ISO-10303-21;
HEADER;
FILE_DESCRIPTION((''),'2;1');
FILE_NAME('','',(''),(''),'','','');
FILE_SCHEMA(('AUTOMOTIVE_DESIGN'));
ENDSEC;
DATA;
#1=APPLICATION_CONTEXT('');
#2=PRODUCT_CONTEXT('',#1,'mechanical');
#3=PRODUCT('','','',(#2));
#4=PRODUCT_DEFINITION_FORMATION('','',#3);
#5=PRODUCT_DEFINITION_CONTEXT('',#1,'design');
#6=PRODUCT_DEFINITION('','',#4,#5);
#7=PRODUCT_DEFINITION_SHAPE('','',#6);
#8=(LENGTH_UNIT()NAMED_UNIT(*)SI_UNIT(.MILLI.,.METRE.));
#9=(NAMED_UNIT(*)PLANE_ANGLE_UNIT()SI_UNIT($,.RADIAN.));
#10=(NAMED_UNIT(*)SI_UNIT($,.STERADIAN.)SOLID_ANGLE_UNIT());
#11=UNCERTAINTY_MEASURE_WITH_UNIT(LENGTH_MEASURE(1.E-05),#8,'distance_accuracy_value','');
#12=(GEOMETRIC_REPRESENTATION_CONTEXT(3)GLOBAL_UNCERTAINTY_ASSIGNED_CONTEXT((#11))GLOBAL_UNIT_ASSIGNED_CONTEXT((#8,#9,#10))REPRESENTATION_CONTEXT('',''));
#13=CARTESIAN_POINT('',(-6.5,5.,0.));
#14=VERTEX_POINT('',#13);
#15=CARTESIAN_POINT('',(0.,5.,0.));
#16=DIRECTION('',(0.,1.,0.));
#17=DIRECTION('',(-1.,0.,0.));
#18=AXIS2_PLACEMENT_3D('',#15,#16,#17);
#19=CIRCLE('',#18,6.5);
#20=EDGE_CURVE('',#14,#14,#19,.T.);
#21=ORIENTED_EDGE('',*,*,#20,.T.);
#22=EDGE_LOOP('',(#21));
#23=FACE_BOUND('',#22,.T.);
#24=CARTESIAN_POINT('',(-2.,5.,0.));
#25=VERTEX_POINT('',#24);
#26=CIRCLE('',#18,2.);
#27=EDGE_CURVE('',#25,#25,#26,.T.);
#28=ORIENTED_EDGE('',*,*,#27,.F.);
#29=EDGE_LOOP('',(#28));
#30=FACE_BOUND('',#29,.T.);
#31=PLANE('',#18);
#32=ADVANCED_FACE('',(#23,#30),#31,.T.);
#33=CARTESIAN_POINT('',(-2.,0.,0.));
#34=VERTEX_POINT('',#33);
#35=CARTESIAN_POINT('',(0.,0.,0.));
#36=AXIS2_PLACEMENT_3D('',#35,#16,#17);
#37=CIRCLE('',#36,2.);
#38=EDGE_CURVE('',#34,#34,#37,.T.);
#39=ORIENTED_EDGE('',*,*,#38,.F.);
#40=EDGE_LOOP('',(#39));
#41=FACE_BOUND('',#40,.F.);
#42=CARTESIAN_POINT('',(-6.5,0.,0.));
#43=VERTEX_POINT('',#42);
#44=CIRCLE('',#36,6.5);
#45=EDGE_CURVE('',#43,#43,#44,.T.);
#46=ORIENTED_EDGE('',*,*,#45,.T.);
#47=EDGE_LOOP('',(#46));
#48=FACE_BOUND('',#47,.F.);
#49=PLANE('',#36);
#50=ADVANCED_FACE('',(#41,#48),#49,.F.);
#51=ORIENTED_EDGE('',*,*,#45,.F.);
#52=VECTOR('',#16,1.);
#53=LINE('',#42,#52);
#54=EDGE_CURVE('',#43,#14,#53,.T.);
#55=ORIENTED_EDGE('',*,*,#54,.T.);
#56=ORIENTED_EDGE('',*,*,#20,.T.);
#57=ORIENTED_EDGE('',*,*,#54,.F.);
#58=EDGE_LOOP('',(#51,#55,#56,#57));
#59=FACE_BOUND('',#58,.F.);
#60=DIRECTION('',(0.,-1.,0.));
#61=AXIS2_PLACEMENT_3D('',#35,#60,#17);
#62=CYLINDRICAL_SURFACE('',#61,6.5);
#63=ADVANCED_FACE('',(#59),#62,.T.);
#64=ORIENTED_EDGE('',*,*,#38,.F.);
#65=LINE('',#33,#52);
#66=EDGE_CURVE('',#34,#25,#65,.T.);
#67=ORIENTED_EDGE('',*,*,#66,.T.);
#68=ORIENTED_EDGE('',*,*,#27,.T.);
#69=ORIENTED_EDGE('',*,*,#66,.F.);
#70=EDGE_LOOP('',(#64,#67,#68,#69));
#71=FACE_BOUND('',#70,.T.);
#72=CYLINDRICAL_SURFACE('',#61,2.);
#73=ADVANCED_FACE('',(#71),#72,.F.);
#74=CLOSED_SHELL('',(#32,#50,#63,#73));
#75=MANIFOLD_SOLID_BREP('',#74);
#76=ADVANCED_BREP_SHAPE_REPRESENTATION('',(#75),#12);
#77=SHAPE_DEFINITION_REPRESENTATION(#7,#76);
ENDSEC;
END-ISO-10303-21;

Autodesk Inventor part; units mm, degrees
ref_plane "YZ Plane" through (0, 0, 0) normal (1, 0, 0) x (0, 1, 0)
ref_plane "XZ Plane" through (0, 0, 0) normal (0, 1, 0) x (-1, 0, 0)
ref_plane "XY Plane" through (0, 0, 0) normal (0, 0, 1) x (1, 0, 0)
sketch "Sketch1" plane through (0, 0, 0) normal (0, 1, 0) x (-1, 0, 0)
  circle A0 centre (0, 0) radius 6.5
  circle A1 centre (0, 0) radius 2
  dimension "bb_outer_diameter" = 13
  dimension "bb_inner_diameter" = 4
extrude "Extrusion1" add sketch "Sketch1" along normal blind 5
properties part number "ball_bearing"
